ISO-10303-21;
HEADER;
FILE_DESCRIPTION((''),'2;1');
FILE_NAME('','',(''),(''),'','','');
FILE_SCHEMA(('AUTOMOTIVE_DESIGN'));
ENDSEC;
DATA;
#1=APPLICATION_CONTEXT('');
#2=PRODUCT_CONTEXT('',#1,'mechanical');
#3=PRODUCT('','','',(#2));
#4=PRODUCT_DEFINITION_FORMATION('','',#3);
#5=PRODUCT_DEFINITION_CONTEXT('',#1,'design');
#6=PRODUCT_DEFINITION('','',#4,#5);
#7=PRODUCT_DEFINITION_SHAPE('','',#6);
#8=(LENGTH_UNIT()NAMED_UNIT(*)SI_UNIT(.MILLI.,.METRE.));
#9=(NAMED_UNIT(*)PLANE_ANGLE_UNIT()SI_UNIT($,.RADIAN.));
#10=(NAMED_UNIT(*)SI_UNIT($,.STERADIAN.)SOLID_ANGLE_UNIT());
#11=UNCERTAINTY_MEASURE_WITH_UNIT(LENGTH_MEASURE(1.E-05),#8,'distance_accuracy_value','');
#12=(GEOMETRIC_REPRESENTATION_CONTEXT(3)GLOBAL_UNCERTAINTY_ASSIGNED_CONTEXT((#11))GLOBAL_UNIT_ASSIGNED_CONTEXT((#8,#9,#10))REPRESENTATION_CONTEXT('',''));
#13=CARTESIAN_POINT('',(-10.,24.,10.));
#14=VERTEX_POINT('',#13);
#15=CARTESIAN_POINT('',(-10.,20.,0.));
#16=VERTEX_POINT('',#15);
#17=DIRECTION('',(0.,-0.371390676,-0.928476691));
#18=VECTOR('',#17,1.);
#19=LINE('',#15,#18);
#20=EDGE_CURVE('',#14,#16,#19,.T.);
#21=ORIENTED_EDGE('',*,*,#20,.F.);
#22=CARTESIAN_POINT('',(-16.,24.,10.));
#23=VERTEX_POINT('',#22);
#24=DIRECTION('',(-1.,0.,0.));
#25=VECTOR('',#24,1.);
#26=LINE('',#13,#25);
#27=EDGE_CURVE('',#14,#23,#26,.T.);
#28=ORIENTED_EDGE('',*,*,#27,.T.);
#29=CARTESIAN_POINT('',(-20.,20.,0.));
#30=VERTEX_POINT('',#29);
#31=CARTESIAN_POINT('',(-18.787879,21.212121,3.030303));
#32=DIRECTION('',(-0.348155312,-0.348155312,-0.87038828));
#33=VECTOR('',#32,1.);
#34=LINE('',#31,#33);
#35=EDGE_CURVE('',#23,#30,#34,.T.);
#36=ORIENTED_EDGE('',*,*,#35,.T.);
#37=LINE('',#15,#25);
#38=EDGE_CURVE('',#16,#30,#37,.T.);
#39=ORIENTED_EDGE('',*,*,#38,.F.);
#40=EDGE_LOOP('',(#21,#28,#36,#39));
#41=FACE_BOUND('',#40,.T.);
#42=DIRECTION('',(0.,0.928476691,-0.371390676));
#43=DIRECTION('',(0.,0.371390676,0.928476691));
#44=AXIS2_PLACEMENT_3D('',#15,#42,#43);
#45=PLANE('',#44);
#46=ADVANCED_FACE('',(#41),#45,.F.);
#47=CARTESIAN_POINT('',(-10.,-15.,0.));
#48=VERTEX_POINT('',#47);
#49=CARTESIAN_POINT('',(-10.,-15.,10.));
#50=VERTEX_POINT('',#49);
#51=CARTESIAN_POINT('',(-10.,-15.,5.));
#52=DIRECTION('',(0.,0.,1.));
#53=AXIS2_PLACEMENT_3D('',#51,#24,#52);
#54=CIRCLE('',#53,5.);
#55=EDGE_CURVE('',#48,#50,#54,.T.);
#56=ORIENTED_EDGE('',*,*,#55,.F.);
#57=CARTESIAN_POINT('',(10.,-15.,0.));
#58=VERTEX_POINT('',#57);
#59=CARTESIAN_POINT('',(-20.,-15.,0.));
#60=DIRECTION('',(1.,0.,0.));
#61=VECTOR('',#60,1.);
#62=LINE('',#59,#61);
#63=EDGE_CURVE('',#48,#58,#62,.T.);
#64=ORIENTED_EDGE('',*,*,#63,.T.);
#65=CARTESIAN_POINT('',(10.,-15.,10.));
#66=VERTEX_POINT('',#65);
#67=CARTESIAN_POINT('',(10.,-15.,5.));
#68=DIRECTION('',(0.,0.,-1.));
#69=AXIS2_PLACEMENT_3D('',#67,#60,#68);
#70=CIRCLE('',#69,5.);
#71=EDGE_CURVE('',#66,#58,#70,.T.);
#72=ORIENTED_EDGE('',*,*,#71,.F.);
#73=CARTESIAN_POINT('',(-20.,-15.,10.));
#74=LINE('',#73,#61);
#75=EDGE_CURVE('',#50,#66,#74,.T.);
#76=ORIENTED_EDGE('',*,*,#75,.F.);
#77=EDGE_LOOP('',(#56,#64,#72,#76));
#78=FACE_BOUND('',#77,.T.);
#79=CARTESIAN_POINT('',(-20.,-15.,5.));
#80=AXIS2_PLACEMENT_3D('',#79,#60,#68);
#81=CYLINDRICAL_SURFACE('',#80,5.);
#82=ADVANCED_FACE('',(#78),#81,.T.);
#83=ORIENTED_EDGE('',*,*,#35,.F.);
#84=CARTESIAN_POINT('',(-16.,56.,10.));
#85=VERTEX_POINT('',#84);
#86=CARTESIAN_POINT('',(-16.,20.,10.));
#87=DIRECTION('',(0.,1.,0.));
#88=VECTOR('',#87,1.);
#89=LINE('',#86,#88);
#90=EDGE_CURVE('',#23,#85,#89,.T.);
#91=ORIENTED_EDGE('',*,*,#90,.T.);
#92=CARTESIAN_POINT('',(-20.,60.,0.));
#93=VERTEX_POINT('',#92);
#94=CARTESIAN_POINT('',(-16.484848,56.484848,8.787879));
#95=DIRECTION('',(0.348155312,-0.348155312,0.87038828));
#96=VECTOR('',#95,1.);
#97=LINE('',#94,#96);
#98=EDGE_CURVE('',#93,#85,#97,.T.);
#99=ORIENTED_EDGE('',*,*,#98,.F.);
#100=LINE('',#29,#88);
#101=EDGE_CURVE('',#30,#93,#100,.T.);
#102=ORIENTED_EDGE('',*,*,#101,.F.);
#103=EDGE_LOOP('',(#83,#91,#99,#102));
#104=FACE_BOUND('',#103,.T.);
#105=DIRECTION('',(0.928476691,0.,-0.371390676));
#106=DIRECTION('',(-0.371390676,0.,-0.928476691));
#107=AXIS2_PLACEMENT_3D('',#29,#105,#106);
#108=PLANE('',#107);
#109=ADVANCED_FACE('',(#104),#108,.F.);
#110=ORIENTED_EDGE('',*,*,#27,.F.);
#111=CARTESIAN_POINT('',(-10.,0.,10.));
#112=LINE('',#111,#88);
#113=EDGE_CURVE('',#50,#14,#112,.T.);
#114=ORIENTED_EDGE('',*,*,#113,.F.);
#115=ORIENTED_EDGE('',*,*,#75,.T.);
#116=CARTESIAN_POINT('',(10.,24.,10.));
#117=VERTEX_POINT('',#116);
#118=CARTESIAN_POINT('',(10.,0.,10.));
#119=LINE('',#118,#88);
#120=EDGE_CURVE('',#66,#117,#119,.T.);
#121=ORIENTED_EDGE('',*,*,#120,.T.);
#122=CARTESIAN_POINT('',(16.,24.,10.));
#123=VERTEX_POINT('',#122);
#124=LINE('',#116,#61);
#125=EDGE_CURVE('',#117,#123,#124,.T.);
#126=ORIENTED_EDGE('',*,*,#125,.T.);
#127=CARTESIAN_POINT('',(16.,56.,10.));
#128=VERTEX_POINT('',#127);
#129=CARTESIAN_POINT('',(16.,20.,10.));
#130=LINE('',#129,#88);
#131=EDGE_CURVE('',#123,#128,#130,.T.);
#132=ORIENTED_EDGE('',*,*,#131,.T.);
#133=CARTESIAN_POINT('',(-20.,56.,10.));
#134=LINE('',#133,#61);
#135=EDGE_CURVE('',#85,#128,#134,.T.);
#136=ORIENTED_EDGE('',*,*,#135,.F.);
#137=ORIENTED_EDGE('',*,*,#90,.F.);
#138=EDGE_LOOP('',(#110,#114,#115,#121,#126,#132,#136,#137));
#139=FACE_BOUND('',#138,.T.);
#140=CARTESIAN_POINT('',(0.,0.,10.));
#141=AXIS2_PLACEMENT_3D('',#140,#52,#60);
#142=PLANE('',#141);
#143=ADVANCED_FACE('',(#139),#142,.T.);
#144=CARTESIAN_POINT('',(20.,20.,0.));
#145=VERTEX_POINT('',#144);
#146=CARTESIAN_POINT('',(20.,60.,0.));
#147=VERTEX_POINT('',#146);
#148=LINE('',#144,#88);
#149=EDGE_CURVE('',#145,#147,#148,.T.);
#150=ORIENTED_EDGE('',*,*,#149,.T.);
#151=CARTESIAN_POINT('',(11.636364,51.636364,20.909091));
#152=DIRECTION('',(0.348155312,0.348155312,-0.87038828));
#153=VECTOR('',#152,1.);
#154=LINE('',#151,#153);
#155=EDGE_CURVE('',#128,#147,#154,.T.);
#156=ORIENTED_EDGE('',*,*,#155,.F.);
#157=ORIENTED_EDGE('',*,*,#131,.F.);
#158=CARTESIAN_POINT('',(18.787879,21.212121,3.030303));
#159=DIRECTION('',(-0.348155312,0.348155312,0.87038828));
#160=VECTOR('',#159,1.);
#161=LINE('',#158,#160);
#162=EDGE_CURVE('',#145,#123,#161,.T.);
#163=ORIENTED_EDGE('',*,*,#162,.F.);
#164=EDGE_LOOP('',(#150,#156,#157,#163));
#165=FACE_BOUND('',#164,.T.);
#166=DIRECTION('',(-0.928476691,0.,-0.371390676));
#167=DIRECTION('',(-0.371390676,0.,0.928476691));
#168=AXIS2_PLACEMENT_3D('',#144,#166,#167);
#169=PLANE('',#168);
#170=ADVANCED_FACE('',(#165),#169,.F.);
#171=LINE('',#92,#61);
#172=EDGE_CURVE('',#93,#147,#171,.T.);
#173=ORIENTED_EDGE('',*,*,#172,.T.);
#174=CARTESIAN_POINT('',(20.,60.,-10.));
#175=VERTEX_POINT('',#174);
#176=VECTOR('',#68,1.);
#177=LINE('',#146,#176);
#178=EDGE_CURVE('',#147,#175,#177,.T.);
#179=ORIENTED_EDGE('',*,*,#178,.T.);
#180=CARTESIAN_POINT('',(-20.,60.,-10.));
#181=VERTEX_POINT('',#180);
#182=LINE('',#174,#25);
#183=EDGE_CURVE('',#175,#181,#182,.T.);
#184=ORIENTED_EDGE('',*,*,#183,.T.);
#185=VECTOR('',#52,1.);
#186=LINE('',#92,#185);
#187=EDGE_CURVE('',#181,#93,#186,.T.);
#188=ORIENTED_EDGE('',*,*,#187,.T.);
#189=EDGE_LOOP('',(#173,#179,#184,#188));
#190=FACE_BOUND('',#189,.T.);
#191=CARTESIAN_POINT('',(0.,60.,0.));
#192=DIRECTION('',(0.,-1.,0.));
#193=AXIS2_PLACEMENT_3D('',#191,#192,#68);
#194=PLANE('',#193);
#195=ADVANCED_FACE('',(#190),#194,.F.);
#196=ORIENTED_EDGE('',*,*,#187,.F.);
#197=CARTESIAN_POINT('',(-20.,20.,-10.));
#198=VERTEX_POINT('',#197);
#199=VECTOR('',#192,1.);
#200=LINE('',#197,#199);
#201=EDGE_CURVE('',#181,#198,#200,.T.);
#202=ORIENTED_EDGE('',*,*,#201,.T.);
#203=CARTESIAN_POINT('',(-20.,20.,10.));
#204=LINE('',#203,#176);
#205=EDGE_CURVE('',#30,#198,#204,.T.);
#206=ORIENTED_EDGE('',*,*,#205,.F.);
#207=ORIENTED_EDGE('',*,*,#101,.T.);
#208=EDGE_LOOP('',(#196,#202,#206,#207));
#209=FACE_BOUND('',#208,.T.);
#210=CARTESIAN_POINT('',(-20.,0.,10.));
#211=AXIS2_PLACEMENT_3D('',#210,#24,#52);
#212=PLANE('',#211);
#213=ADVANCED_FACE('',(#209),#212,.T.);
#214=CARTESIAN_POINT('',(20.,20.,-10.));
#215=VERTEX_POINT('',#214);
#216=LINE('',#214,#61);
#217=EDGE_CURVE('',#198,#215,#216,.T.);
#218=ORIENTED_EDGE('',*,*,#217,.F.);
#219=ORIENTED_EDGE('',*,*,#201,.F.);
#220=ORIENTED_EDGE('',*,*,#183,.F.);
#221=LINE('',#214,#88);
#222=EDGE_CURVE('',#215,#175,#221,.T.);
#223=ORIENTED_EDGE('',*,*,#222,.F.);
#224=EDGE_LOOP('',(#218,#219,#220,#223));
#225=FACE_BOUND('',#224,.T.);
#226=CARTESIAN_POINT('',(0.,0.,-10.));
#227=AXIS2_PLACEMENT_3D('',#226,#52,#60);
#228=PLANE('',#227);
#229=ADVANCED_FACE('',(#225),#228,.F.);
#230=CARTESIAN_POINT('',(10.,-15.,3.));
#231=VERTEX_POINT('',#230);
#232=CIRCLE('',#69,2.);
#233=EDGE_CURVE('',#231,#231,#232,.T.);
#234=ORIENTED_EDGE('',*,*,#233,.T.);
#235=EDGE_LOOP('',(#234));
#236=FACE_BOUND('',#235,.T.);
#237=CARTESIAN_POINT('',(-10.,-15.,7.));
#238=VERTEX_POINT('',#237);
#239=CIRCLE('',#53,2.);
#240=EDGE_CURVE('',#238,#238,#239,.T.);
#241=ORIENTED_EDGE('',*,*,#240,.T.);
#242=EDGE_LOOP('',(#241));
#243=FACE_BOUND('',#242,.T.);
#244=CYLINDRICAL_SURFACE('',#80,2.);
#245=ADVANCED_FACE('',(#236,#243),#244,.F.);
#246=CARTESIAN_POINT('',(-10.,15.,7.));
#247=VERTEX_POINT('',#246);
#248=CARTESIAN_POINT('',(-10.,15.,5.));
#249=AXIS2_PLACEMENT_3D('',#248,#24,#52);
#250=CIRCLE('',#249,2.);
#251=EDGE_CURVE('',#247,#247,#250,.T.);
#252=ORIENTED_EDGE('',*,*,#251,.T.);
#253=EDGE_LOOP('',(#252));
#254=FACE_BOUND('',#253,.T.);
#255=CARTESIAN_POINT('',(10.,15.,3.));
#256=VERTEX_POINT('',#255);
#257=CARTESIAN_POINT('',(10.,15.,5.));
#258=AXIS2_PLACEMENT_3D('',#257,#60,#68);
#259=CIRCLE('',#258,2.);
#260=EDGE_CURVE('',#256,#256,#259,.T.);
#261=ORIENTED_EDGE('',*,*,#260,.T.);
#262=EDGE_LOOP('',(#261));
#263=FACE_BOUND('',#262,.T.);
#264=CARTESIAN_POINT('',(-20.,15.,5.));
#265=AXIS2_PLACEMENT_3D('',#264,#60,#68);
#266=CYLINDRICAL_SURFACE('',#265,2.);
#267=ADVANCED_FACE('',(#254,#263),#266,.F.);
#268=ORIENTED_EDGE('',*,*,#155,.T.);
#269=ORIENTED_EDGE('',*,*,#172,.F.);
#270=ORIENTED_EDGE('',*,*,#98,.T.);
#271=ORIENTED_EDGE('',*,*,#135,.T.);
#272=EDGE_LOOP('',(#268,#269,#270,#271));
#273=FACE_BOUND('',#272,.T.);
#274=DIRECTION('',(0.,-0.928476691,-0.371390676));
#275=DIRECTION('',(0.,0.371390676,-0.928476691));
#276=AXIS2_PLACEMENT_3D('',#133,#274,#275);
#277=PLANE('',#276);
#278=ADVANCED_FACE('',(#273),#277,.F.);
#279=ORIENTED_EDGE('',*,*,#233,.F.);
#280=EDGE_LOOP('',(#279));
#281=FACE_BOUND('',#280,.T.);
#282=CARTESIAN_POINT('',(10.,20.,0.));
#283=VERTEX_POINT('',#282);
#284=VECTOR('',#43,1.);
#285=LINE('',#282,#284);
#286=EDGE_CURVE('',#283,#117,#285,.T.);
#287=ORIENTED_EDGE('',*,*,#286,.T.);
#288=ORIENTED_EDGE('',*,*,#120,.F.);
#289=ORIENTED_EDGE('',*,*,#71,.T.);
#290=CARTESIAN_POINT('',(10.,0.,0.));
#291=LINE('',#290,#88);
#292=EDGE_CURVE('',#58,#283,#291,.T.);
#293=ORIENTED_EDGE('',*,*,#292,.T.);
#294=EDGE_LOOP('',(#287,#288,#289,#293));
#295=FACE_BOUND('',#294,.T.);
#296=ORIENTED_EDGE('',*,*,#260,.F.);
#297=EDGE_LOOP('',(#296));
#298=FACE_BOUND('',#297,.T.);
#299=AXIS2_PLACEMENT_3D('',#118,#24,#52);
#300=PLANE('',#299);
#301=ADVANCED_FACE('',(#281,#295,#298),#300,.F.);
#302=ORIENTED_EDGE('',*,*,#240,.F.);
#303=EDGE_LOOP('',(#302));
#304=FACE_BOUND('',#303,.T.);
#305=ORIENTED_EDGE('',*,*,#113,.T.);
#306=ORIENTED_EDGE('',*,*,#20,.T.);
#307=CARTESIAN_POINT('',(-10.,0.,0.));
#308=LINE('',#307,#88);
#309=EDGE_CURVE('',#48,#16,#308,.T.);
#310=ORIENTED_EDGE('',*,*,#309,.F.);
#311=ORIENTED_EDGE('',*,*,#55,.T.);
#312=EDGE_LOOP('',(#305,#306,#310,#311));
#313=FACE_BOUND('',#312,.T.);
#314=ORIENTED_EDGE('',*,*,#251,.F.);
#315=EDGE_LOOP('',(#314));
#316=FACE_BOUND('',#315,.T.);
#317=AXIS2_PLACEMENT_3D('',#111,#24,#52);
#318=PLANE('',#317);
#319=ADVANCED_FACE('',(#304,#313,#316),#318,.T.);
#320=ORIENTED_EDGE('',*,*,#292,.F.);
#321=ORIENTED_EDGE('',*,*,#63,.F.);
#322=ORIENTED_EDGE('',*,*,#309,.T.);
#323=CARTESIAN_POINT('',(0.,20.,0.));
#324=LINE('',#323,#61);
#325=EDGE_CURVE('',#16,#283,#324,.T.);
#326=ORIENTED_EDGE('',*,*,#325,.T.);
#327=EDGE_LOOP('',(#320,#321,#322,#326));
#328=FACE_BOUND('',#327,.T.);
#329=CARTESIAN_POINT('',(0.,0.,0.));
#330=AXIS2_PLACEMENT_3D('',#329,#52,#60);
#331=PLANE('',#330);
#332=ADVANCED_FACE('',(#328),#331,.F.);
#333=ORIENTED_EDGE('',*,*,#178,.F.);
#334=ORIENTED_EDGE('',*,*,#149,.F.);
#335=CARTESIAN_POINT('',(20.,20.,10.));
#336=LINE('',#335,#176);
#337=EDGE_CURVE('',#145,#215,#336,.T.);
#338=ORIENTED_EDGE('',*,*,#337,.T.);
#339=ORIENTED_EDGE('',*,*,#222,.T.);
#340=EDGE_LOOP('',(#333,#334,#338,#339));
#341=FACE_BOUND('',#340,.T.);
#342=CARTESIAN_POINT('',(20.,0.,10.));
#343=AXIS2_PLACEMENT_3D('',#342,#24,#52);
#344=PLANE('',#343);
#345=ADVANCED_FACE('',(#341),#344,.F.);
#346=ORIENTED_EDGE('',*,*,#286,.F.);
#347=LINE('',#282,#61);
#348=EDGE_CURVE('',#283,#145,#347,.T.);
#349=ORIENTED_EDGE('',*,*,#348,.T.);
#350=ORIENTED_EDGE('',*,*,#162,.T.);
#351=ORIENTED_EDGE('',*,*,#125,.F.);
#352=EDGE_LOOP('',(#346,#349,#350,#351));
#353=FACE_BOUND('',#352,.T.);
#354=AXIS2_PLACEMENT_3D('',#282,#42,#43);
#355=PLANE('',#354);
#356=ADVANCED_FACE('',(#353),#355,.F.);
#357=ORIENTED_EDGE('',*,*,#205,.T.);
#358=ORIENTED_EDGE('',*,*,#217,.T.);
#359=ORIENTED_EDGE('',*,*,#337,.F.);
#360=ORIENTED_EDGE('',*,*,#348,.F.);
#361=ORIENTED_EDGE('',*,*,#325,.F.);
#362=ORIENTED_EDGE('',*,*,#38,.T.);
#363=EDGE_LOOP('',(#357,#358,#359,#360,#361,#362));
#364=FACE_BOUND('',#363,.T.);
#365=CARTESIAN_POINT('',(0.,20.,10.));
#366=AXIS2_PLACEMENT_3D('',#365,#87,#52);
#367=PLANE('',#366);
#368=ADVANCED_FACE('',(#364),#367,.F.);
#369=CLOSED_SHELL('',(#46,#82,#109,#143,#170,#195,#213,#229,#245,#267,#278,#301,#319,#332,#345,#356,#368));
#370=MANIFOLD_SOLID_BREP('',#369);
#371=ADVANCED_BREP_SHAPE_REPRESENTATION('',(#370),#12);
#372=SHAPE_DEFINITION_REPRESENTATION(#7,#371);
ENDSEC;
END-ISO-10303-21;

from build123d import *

# Parameters (mm, degrees)
CROQUIS1_W              = 20
CROQUIS1_H              = 40
SALIENTE_EXTRUIR1_DEPTH = 10
CROQUIS2_R              = 2
CORTAR_EXTRUIR1_DEPTH   = 31
CROQUIS3_W              = 40
CROQUIS3_H              = 10
SALIENTE_EXTRUIR2_DEPTH = 10
CROQUIS4_W              = 40
CROQUIS4_H              = 40
SALIENTE_EXTRUIR3_DEPTH = 20
CORTAR_EXTRUIR3_DEPTH   = 10
CORTAR_EXTRUIR4_DEPTH   = 10
CORTAR_EXTRUIR5_DEPTH   = 41
CORTAR_EXTRUIR6_DEPTH   = 40
CORTAR_EXTRUIR7_DEPTH   = 31


with BuildPart() as part:
    # Croquis1 → Saliente-Extruir1 (new body)
    with BuildSketch(Plane.XY):
        Rectangle(CROQUIS1_W, CROQUIS1_H)
        Polygon((0, 20), (10, 20), (20, 20), (20, 50), (0, 50), align=None)
        Polygon((-20, 20), (-10, 20), (0, 20), (0, 50), (-20, 50), align=None)
    extrude(amount=SALIENTE_EXTRUIR1_DEPTH)

    # Croquis2 → Cortar-Extruir1 (cut, through all)
    with BuildSketch(Plane(origin=(10, 0, 0), x_dir=(0, 0, -1), z_dir=(1, 0, 0))):
        with Locations((-5, -15)):
            Circle(CROQUIS2_R)
        with Locations((-5, 15)):
            Circle(CROQUIS2_R)
    extrude(amount=-CORTAR_EXTRUIR1_DEPTH, mode=Mode.SUBTRACT)

    # Croquis3 → Saliente-Extruir2 (add)
    with BuildSketch(Plane(origin=(0, 50, 0), x_dir=(1, 0, 0), z_dir=(0, 1, 0))):
        with Locations((0, -5)):
            Rectangle(CROQUIS3_W, CROQUIS3_H)
    extrude(amount=SALIENTE_EXTRUIR2_DEPTH)

    # Croquis4 → Saliente-Extruir3 (add)
    with BuildSketch(Plane.XY.offset(10)):
        with Locations((0, 40)):
            Rectangle(CROQUIS4_W, CROQUIS4_H)
    extrude(amount=-SALIENTE_EXTRUIR3_DEPTH)

    # Croquis6 → Cortar-Extruir3 (cut)
    with BuildSketch(Plane(origin=(20, 0, 0), x_dir=(0, 0, -1), z_dir=(1, 0, 0))):
        Polygon((-10, 20), (0, 20), (-10, 24), align=None)
    extrude(amount=-CORTAR_EXTRUIR3_DEPTH, mode=Mode.SUBTRACT)

    # Croquis7 → Cortar-Extruir4 (cut)
    with BuildSketch(Plane.ZY.offset(20)):
        Polygon((0, 20), (10, 24), (10, 20), align=None)
    extrude(amount=-CORTAR_EXTRUIR4_DEPTH, mode=Mode.SUBTRACT)

    # Croquis8 → Cortar-Extruir5 (cut, through all)
    with BuildSketch(Plane(origin=(20, 0, 0), x_dir=(0, 0, -1), z_dir=(1, 0, 0))):
        Polygon((-10, 56), (0, 60), (-10, 60), align=None)
    extrude(amount=-CORTAR_EXTRUIR5_DEPTH, mode=Mode.SUBTRACT)

    # Croquis9 → Cortar-Extruir6 (cut)
    with BuildSketch(Plane(origin=(0, 60, 0), x_dir=(1, 0, 0), z_dir=(0, 1, 0))):
        Polygon((-20, 0), (-20, -10), (-16, -10), align=None)
        Polygon((20, 0), (20, -10), (16, -10), align=None)
    extrude(amount=-CORTAR_EXTRUIR6_DEPTH, mode=Mode.SUBTRACT)

    # Croquis10 → Cortar-Extruir7 (cut, through all)
    with BuildSketch(Plane(origin=(10, 0, 0), x_dir=(0, 0, -1), z_dir=(1, 0, 0))):
        with BuildLine():
            ThreePointArc((0, -15), (-1.464466094, -18.535533906), (-5, -20))
            Line((-5, -20), (0, -20))
            Line((0, -20), (0, -15))
        make_face()
        with BuildLine():
            ThreePointArc((-5, -20), (-8.535533906, -18.535533906), (-10, -15))
            Line((-10, -15), (-10, -20))
            Line((-10, -20), (-5, -20))
        make_face()
    extrude(amount=-CORTAR_EXTRUIR7_DEPTH, mode=Mode.SUBTRACT)


solid = part.part
